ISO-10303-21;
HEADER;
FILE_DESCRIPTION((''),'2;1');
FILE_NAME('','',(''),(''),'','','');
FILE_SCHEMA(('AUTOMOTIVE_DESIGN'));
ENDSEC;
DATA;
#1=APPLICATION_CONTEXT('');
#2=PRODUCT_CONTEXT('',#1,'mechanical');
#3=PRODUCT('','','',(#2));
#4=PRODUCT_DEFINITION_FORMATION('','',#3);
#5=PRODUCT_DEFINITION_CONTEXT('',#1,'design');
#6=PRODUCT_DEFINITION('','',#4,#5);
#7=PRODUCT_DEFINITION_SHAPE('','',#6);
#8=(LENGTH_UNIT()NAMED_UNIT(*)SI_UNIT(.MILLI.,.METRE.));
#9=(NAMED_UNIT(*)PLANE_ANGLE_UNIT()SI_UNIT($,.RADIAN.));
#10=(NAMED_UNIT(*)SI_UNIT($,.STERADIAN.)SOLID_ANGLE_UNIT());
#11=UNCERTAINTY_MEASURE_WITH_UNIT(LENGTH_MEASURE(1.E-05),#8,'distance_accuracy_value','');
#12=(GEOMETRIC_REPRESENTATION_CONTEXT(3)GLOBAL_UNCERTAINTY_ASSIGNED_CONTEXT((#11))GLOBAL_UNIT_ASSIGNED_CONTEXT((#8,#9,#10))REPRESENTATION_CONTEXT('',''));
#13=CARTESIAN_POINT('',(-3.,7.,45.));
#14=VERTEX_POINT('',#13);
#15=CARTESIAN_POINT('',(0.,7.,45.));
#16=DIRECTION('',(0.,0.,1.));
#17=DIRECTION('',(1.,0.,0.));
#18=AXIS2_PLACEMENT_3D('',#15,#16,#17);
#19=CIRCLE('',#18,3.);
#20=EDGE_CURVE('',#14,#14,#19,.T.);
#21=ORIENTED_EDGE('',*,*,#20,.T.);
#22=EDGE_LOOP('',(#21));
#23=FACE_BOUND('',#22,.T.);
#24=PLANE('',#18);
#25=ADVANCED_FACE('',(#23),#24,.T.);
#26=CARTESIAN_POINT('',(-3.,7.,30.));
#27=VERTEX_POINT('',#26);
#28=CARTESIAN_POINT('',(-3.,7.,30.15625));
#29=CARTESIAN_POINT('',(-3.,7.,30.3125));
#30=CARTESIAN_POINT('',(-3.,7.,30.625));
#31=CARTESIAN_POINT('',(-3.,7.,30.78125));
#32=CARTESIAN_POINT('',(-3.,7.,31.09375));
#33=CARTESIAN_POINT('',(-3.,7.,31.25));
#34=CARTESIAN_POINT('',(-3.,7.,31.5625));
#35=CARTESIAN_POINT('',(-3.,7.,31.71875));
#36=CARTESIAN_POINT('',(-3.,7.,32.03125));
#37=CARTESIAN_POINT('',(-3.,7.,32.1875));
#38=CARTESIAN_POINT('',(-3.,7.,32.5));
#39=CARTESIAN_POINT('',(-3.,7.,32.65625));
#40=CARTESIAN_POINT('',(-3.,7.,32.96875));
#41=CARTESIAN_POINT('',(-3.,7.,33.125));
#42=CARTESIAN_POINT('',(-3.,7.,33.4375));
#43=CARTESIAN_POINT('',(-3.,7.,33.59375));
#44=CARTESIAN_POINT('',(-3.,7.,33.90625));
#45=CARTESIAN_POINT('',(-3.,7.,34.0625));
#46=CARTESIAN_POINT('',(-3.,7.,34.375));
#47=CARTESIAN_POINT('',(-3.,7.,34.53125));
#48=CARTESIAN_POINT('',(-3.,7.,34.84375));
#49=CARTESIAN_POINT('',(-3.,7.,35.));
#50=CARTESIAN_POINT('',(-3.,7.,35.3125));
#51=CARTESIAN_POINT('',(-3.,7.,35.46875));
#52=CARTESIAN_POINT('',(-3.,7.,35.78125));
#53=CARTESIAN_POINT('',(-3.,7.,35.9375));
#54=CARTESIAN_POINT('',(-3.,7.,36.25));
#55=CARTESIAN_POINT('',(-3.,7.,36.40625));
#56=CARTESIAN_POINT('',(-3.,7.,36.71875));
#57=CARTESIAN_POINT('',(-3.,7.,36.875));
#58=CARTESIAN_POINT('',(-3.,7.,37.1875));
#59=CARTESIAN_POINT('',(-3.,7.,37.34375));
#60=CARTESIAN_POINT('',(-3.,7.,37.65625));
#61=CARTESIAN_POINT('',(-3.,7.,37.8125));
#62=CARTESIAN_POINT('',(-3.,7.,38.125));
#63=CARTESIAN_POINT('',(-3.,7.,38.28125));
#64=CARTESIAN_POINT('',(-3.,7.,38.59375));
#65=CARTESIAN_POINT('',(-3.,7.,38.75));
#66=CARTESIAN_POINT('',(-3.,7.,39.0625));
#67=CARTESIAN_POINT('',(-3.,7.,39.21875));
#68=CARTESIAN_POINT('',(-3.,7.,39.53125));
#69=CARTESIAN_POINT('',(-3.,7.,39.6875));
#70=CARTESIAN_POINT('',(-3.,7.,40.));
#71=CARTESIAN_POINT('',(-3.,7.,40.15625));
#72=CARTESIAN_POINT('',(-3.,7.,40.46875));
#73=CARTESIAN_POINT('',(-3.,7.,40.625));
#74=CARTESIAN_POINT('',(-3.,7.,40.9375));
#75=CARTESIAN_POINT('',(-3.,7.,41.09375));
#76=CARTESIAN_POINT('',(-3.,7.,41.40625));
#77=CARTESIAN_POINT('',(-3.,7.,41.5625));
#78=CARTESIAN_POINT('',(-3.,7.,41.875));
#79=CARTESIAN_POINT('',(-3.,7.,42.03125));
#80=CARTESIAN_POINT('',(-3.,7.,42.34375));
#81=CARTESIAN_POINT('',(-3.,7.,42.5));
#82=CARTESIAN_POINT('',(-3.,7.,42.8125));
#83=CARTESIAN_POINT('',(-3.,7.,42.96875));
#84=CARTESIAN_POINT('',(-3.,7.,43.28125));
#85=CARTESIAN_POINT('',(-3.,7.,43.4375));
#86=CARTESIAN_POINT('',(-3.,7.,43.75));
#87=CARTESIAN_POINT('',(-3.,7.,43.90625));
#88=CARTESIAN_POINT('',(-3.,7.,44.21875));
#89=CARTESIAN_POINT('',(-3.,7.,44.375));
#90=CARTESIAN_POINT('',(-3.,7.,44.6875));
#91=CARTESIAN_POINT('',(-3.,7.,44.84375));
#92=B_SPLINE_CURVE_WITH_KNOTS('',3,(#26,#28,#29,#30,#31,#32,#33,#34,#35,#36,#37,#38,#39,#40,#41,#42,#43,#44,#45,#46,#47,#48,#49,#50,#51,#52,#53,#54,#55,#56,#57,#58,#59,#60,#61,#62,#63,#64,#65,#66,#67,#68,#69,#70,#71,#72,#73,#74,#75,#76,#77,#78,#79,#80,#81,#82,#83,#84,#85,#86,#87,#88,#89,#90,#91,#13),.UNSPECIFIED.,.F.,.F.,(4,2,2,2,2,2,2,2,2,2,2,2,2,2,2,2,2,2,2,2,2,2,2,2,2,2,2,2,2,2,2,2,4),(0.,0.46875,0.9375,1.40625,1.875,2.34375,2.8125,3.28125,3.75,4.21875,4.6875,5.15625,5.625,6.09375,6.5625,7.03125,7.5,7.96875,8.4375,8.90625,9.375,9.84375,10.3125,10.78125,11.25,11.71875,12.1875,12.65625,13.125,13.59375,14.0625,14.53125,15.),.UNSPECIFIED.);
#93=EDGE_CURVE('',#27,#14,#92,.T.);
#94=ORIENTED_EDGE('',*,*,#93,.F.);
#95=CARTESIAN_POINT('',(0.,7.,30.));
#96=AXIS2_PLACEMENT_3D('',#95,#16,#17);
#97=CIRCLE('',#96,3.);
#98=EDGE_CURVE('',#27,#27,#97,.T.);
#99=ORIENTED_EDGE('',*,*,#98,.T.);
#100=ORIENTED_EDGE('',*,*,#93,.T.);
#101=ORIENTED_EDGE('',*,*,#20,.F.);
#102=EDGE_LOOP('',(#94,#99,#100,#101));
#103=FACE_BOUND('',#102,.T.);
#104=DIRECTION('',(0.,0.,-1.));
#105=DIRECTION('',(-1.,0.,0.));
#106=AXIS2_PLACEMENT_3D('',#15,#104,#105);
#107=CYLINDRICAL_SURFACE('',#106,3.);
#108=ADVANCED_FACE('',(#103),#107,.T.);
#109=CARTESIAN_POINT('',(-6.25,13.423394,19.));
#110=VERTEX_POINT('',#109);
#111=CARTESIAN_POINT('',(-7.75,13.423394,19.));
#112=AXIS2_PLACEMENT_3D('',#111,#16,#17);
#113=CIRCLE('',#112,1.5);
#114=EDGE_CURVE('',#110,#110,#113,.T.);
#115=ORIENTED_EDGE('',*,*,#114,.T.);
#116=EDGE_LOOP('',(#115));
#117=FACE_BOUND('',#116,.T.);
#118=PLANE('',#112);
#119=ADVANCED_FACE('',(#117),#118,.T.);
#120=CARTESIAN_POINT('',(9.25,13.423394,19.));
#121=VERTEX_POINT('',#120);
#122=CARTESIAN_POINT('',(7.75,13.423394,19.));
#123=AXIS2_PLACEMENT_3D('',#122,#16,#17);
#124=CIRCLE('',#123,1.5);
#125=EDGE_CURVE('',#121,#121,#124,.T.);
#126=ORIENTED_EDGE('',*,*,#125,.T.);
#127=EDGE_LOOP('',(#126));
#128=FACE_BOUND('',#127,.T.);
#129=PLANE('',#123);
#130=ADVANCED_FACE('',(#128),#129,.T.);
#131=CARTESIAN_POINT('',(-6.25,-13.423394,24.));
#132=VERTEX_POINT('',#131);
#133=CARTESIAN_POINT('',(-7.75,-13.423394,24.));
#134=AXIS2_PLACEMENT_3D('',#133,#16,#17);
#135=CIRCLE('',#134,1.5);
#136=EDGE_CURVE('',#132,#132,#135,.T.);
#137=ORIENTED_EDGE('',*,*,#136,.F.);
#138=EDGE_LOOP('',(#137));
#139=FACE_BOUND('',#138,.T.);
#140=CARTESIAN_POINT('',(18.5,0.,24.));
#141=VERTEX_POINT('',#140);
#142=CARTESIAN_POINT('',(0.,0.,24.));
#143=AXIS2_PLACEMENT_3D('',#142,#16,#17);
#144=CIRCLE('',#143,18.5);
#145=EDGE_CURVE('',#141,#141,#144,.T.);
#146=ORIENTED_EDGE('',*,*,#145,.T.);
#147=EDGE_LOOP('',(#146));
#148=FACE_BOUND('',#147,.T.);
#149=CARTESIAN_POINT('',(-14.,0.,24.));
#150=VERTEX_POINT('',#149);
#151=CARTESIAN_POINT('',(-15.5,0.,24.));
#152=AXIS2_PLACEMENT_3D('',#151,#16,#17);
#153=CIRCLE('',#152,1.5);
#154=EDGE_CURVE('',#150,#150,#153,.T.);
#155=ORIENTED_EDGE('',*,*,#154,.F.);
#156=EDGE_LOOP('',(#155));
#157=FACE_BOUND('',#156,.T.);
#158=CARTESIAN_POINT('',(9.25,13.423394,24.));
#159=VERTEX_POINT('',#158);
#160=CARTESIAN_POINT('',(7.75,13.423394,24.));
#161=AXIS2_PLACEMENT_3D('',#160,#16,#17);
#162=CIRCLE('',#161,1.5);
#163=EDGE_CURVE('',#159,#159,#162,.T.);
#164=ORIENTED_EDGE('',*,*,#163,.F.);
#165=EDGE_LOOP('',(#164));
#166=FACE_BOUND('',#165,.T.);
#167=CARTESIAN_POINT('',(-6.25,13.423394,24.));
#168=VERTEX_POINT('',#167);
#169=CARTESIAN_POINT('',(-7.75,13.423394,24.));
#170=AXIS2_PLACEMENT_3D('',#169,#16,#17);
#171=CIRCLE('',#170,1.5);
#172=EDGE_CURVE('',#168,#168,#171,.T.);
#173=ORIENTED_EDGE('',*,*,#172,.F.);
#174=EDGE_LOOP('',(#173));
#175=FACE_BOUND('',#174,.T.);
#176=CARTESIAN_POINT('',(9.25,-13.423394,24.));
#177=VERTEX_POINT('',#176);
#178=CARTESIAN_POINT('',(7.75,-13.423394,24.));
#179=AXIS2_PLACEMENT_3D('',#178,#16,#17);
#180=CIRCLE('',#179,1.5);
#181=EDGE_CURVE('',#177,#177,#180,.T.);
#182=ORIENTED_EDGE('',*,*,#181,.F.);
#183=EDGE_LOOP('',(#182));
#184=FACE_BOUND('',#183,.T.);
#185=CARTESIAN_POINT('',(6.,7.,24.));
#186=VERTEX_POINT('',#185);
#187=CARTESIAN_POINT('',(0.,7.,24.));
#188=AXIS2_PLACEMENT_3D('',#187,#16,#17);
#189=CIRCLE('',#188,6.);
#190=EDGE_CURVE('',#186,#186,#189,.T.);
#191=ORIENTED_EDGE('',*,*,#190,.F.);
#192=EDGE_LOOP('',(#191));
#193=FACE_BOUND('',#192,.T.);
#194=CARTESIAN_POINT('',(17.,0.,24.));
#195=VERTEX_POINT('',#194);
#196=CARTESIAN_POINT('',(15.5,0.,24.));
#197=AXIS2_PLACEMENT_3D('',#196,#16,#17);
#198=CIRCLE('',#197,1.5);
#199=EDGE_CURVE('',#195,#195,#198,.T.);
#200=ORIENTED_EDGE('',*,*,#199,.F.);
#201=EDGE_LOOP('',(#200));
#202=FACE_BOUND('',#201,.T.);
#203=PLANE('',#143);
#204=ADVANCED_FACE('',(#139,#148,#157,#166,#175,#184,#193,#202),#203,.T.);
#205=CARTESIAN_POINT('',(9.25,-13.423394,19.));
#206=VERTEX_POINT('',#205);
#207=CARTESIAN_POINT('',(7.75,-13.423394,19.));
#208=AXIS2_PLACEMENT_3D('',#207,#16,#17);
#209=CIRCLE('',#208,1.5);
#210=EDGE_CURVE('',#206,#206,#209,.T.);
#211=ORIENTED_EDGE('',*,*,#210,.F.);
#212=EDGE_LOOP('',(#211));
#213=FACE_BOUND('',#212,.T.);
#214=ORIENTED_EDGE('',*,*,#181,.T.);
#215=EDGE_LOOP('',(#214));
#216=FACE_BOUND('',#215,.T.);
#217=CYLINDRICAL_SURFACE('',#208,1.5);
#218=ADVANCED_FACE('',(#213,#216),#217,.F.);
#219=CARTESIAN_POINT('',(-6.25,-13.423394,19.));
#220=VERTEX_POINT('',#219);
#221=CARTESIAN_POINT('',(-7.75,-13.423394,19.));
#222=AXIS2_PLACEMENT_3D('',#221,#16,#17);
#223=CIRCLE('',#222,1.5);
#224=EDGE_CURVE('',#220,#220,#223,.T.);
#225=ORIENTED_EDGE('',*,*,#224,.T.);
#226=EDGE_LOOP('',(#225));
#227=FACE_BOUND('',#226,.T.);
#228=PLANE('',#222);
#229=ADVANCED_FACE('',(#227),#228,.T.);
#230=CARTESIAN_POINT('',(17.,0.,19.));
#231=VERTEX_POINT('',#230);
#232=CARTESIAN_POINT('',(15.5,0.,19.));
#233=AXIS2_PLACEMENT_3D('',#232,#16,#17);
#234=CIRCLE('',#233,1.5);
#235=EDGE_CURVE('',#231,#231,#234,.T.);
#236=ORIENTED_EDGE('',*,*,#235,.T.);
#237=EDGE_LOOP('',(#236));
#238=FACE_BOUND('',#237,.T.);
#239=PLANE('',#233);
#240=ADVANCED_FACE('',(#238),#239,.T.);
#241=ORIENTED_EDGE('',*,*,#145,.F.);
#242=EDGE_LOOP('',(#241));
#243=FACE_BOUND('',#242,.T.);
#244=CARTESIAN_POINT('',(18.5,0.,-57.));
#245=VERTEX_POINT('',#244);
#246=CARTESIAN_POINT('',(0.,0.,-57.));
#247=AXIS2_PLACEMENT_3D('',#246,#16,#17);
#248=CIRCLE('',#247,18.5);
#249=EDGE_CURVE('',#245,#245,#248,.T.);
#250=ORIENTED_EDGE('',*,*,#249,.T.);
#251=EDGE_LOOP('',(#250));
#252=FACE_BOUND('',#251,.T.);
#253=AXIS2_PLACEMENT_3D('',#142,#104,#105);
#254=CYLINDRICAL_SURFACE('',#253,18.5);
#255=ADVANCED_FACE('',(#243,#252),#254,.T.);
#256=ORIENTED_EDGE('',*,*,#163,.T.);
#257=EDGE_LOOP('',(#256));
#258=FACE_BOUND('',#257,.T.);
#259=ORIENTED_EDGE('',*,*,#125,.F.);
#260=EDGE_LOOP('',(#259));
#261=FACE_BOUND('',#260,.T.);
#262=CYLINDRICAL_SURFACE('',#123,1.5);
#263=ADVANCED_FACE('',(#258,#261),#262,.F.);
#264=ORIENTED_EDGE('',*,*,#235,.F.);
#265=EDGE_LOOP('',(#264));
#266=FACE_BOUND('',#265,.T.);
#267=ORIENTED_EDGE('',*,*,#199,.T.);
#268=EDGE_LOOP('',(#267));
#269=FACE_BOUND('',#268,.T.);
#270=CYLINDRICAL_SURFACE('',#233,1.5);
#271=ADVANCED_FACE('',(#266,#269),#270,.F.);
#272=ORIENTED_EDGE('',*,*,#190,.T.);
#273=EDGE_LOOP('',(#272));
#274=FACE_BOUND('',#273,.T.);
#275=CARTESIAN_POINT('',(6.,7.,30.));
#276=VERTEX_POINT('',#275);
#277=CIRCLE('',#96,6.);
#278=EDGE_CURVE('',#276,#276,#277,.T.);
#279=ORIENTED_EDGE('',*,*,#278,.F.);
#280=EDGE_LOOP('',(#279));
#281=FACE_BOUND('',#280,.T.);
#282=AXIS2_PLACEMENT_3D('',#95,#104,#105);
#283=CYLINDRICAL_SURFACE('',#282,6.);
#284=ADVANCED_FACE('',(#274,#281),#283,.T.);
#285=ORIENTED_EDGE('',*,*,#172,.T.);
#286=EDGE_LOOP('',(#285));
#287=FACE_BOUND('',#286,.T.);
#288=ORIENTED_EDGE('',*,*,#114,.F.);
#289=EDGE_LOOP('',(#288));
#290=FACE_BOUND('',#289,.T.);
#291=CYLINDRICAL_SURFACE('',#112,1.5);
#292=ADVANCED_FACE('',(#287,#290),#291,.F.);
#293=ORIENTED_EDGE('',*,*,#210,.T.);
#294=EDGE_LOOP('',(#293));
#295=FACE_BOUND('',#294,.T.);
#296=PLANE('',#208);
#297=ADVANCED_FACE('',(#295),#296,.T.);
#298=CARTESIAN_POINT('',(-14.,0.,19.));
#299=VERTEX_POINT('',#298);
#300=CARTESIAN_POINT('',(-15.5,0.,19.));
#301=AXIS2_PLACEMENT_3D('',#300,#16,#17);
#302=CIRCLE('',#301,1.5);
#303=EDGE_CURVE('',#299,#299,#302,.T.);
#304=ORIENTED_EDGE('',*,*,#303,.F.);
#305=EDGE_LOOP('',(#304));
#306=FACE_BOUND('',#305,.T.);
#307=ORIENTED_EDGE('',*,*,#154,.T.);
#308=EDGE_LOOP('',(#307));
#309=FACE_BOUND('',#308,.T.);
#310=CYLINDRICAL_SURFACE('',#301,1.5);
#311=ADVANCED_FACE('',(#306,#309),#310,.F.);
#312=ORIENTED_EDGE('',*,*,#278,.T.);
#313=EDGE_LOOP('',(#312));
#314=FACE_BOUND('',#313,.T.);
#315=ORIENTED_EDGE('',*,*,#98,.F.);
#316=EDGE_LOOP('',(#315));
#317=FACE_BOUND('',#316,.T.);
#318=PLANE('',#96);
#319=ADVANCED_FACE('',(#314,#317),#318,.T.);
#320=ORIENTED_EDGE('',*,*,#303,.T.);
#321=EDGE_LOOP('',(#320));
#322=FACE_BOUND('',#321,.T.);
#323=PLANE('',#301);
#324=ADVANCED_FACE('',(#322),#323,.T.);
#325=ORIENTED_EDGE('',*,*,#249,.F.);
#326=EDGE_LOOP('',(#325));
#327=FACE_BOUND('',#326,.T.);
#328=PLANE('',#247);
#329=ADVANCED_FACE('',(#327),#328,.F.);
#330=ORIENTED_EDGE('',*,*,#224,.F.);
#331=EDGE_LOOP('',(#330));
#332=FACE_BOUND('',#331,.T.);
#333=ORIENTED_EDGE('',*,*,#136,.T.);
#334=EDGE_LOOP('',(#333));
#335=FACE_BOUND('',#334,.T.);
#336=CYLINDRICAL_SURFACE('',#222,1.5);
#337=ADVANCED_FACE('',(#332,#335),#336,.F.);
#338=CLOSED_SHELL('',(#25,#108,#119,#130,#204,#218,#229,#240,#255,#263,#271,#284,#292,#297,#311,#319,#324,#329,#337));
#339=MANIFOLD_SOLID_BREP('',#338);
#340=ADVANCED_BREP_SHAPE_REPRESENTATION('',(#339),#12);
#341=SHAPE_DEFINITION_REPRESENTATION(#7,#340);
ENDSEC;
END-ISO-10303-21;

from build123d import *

# Parameters (mm, degrees)
BOSS_EXTRUDE1_DEPTH      = 24
BOSS_EXTRUDE1_DEPTH_BACK = 57
SKETCH1_R                = 18.5
SKETCH2_R                = 1.5
CUT_EXTRUDE1_DEPTH       = 5
SKETCH3_R                = 6
SKETCH3_R_2              = 3
BOSS_EXTRUDE2_DEPTH      = 6
SKETCH3_2_R              = 3
BOSS_EXTRUDE3_DEPTH      = 21


with BuildPart() as part:
    # Sketch1 → Boss-Extrude1 (new, two sides: drawn at the far end of the back side and taken through both)
    with BuildSketch(Plane.XY.offset(-BOSS_EXTRUDE1_DEPTH_BACK)):
        Circle(SKETCH1_R)
    extrude(amount=BOSS_EXTRUDE1_DEPTH + BOSS_EXTRUDE1_DEPTH_BACK)

    # Sketch2 → Cut-Extrude1 (cut)
    with BuildSketch(Plane.XY.offset(24)):
        with Locations((15.5, 0)):
            Circle(SKETCH2_R)
        with Locations((7.75, -13.423393759)):
            Circle(SKETCH2_R)
        with Locations((-7.75, -13.423393759)):
            Circle(SKETCH2_R)
        with Locations((-15.5, 0)):
            Circle(SKETCH2_R)
        with Locations((-7.75, 13.423393759)):
            Circle(SKETCH2_R)
        with Locations((7.75, 13.423393759)):
            Circle(SKETCH2_R)
    extrude(amount=-CUT_EXTRUDE1_DEPTH, mode=Mode.SUBTRACT)

    # Sketch3 → Boss-Extrude2 (add)
    with BuildSketch(Plane.XY.offset(24)):
        with Locations((0, 7)):
            Circle(SKETCH3_R)
        with Locations((0, 7)):
            Circle(SKETCH3_R_2, mode=Mode.SUBTRACT)
    extrude(amount=BOSS_EXTRUDE2_DEPTH)

    # Sketch3<2> → Boss-Extrude3 (add)
    with BuildSketch(Plane.XY.offset(24)):
        with Locations((0, 7)):
            Circle(SKETCH3_2_R)
    extrude(amount=BOSS_EXTRUDE3_DEPTH)


solid = part.part
